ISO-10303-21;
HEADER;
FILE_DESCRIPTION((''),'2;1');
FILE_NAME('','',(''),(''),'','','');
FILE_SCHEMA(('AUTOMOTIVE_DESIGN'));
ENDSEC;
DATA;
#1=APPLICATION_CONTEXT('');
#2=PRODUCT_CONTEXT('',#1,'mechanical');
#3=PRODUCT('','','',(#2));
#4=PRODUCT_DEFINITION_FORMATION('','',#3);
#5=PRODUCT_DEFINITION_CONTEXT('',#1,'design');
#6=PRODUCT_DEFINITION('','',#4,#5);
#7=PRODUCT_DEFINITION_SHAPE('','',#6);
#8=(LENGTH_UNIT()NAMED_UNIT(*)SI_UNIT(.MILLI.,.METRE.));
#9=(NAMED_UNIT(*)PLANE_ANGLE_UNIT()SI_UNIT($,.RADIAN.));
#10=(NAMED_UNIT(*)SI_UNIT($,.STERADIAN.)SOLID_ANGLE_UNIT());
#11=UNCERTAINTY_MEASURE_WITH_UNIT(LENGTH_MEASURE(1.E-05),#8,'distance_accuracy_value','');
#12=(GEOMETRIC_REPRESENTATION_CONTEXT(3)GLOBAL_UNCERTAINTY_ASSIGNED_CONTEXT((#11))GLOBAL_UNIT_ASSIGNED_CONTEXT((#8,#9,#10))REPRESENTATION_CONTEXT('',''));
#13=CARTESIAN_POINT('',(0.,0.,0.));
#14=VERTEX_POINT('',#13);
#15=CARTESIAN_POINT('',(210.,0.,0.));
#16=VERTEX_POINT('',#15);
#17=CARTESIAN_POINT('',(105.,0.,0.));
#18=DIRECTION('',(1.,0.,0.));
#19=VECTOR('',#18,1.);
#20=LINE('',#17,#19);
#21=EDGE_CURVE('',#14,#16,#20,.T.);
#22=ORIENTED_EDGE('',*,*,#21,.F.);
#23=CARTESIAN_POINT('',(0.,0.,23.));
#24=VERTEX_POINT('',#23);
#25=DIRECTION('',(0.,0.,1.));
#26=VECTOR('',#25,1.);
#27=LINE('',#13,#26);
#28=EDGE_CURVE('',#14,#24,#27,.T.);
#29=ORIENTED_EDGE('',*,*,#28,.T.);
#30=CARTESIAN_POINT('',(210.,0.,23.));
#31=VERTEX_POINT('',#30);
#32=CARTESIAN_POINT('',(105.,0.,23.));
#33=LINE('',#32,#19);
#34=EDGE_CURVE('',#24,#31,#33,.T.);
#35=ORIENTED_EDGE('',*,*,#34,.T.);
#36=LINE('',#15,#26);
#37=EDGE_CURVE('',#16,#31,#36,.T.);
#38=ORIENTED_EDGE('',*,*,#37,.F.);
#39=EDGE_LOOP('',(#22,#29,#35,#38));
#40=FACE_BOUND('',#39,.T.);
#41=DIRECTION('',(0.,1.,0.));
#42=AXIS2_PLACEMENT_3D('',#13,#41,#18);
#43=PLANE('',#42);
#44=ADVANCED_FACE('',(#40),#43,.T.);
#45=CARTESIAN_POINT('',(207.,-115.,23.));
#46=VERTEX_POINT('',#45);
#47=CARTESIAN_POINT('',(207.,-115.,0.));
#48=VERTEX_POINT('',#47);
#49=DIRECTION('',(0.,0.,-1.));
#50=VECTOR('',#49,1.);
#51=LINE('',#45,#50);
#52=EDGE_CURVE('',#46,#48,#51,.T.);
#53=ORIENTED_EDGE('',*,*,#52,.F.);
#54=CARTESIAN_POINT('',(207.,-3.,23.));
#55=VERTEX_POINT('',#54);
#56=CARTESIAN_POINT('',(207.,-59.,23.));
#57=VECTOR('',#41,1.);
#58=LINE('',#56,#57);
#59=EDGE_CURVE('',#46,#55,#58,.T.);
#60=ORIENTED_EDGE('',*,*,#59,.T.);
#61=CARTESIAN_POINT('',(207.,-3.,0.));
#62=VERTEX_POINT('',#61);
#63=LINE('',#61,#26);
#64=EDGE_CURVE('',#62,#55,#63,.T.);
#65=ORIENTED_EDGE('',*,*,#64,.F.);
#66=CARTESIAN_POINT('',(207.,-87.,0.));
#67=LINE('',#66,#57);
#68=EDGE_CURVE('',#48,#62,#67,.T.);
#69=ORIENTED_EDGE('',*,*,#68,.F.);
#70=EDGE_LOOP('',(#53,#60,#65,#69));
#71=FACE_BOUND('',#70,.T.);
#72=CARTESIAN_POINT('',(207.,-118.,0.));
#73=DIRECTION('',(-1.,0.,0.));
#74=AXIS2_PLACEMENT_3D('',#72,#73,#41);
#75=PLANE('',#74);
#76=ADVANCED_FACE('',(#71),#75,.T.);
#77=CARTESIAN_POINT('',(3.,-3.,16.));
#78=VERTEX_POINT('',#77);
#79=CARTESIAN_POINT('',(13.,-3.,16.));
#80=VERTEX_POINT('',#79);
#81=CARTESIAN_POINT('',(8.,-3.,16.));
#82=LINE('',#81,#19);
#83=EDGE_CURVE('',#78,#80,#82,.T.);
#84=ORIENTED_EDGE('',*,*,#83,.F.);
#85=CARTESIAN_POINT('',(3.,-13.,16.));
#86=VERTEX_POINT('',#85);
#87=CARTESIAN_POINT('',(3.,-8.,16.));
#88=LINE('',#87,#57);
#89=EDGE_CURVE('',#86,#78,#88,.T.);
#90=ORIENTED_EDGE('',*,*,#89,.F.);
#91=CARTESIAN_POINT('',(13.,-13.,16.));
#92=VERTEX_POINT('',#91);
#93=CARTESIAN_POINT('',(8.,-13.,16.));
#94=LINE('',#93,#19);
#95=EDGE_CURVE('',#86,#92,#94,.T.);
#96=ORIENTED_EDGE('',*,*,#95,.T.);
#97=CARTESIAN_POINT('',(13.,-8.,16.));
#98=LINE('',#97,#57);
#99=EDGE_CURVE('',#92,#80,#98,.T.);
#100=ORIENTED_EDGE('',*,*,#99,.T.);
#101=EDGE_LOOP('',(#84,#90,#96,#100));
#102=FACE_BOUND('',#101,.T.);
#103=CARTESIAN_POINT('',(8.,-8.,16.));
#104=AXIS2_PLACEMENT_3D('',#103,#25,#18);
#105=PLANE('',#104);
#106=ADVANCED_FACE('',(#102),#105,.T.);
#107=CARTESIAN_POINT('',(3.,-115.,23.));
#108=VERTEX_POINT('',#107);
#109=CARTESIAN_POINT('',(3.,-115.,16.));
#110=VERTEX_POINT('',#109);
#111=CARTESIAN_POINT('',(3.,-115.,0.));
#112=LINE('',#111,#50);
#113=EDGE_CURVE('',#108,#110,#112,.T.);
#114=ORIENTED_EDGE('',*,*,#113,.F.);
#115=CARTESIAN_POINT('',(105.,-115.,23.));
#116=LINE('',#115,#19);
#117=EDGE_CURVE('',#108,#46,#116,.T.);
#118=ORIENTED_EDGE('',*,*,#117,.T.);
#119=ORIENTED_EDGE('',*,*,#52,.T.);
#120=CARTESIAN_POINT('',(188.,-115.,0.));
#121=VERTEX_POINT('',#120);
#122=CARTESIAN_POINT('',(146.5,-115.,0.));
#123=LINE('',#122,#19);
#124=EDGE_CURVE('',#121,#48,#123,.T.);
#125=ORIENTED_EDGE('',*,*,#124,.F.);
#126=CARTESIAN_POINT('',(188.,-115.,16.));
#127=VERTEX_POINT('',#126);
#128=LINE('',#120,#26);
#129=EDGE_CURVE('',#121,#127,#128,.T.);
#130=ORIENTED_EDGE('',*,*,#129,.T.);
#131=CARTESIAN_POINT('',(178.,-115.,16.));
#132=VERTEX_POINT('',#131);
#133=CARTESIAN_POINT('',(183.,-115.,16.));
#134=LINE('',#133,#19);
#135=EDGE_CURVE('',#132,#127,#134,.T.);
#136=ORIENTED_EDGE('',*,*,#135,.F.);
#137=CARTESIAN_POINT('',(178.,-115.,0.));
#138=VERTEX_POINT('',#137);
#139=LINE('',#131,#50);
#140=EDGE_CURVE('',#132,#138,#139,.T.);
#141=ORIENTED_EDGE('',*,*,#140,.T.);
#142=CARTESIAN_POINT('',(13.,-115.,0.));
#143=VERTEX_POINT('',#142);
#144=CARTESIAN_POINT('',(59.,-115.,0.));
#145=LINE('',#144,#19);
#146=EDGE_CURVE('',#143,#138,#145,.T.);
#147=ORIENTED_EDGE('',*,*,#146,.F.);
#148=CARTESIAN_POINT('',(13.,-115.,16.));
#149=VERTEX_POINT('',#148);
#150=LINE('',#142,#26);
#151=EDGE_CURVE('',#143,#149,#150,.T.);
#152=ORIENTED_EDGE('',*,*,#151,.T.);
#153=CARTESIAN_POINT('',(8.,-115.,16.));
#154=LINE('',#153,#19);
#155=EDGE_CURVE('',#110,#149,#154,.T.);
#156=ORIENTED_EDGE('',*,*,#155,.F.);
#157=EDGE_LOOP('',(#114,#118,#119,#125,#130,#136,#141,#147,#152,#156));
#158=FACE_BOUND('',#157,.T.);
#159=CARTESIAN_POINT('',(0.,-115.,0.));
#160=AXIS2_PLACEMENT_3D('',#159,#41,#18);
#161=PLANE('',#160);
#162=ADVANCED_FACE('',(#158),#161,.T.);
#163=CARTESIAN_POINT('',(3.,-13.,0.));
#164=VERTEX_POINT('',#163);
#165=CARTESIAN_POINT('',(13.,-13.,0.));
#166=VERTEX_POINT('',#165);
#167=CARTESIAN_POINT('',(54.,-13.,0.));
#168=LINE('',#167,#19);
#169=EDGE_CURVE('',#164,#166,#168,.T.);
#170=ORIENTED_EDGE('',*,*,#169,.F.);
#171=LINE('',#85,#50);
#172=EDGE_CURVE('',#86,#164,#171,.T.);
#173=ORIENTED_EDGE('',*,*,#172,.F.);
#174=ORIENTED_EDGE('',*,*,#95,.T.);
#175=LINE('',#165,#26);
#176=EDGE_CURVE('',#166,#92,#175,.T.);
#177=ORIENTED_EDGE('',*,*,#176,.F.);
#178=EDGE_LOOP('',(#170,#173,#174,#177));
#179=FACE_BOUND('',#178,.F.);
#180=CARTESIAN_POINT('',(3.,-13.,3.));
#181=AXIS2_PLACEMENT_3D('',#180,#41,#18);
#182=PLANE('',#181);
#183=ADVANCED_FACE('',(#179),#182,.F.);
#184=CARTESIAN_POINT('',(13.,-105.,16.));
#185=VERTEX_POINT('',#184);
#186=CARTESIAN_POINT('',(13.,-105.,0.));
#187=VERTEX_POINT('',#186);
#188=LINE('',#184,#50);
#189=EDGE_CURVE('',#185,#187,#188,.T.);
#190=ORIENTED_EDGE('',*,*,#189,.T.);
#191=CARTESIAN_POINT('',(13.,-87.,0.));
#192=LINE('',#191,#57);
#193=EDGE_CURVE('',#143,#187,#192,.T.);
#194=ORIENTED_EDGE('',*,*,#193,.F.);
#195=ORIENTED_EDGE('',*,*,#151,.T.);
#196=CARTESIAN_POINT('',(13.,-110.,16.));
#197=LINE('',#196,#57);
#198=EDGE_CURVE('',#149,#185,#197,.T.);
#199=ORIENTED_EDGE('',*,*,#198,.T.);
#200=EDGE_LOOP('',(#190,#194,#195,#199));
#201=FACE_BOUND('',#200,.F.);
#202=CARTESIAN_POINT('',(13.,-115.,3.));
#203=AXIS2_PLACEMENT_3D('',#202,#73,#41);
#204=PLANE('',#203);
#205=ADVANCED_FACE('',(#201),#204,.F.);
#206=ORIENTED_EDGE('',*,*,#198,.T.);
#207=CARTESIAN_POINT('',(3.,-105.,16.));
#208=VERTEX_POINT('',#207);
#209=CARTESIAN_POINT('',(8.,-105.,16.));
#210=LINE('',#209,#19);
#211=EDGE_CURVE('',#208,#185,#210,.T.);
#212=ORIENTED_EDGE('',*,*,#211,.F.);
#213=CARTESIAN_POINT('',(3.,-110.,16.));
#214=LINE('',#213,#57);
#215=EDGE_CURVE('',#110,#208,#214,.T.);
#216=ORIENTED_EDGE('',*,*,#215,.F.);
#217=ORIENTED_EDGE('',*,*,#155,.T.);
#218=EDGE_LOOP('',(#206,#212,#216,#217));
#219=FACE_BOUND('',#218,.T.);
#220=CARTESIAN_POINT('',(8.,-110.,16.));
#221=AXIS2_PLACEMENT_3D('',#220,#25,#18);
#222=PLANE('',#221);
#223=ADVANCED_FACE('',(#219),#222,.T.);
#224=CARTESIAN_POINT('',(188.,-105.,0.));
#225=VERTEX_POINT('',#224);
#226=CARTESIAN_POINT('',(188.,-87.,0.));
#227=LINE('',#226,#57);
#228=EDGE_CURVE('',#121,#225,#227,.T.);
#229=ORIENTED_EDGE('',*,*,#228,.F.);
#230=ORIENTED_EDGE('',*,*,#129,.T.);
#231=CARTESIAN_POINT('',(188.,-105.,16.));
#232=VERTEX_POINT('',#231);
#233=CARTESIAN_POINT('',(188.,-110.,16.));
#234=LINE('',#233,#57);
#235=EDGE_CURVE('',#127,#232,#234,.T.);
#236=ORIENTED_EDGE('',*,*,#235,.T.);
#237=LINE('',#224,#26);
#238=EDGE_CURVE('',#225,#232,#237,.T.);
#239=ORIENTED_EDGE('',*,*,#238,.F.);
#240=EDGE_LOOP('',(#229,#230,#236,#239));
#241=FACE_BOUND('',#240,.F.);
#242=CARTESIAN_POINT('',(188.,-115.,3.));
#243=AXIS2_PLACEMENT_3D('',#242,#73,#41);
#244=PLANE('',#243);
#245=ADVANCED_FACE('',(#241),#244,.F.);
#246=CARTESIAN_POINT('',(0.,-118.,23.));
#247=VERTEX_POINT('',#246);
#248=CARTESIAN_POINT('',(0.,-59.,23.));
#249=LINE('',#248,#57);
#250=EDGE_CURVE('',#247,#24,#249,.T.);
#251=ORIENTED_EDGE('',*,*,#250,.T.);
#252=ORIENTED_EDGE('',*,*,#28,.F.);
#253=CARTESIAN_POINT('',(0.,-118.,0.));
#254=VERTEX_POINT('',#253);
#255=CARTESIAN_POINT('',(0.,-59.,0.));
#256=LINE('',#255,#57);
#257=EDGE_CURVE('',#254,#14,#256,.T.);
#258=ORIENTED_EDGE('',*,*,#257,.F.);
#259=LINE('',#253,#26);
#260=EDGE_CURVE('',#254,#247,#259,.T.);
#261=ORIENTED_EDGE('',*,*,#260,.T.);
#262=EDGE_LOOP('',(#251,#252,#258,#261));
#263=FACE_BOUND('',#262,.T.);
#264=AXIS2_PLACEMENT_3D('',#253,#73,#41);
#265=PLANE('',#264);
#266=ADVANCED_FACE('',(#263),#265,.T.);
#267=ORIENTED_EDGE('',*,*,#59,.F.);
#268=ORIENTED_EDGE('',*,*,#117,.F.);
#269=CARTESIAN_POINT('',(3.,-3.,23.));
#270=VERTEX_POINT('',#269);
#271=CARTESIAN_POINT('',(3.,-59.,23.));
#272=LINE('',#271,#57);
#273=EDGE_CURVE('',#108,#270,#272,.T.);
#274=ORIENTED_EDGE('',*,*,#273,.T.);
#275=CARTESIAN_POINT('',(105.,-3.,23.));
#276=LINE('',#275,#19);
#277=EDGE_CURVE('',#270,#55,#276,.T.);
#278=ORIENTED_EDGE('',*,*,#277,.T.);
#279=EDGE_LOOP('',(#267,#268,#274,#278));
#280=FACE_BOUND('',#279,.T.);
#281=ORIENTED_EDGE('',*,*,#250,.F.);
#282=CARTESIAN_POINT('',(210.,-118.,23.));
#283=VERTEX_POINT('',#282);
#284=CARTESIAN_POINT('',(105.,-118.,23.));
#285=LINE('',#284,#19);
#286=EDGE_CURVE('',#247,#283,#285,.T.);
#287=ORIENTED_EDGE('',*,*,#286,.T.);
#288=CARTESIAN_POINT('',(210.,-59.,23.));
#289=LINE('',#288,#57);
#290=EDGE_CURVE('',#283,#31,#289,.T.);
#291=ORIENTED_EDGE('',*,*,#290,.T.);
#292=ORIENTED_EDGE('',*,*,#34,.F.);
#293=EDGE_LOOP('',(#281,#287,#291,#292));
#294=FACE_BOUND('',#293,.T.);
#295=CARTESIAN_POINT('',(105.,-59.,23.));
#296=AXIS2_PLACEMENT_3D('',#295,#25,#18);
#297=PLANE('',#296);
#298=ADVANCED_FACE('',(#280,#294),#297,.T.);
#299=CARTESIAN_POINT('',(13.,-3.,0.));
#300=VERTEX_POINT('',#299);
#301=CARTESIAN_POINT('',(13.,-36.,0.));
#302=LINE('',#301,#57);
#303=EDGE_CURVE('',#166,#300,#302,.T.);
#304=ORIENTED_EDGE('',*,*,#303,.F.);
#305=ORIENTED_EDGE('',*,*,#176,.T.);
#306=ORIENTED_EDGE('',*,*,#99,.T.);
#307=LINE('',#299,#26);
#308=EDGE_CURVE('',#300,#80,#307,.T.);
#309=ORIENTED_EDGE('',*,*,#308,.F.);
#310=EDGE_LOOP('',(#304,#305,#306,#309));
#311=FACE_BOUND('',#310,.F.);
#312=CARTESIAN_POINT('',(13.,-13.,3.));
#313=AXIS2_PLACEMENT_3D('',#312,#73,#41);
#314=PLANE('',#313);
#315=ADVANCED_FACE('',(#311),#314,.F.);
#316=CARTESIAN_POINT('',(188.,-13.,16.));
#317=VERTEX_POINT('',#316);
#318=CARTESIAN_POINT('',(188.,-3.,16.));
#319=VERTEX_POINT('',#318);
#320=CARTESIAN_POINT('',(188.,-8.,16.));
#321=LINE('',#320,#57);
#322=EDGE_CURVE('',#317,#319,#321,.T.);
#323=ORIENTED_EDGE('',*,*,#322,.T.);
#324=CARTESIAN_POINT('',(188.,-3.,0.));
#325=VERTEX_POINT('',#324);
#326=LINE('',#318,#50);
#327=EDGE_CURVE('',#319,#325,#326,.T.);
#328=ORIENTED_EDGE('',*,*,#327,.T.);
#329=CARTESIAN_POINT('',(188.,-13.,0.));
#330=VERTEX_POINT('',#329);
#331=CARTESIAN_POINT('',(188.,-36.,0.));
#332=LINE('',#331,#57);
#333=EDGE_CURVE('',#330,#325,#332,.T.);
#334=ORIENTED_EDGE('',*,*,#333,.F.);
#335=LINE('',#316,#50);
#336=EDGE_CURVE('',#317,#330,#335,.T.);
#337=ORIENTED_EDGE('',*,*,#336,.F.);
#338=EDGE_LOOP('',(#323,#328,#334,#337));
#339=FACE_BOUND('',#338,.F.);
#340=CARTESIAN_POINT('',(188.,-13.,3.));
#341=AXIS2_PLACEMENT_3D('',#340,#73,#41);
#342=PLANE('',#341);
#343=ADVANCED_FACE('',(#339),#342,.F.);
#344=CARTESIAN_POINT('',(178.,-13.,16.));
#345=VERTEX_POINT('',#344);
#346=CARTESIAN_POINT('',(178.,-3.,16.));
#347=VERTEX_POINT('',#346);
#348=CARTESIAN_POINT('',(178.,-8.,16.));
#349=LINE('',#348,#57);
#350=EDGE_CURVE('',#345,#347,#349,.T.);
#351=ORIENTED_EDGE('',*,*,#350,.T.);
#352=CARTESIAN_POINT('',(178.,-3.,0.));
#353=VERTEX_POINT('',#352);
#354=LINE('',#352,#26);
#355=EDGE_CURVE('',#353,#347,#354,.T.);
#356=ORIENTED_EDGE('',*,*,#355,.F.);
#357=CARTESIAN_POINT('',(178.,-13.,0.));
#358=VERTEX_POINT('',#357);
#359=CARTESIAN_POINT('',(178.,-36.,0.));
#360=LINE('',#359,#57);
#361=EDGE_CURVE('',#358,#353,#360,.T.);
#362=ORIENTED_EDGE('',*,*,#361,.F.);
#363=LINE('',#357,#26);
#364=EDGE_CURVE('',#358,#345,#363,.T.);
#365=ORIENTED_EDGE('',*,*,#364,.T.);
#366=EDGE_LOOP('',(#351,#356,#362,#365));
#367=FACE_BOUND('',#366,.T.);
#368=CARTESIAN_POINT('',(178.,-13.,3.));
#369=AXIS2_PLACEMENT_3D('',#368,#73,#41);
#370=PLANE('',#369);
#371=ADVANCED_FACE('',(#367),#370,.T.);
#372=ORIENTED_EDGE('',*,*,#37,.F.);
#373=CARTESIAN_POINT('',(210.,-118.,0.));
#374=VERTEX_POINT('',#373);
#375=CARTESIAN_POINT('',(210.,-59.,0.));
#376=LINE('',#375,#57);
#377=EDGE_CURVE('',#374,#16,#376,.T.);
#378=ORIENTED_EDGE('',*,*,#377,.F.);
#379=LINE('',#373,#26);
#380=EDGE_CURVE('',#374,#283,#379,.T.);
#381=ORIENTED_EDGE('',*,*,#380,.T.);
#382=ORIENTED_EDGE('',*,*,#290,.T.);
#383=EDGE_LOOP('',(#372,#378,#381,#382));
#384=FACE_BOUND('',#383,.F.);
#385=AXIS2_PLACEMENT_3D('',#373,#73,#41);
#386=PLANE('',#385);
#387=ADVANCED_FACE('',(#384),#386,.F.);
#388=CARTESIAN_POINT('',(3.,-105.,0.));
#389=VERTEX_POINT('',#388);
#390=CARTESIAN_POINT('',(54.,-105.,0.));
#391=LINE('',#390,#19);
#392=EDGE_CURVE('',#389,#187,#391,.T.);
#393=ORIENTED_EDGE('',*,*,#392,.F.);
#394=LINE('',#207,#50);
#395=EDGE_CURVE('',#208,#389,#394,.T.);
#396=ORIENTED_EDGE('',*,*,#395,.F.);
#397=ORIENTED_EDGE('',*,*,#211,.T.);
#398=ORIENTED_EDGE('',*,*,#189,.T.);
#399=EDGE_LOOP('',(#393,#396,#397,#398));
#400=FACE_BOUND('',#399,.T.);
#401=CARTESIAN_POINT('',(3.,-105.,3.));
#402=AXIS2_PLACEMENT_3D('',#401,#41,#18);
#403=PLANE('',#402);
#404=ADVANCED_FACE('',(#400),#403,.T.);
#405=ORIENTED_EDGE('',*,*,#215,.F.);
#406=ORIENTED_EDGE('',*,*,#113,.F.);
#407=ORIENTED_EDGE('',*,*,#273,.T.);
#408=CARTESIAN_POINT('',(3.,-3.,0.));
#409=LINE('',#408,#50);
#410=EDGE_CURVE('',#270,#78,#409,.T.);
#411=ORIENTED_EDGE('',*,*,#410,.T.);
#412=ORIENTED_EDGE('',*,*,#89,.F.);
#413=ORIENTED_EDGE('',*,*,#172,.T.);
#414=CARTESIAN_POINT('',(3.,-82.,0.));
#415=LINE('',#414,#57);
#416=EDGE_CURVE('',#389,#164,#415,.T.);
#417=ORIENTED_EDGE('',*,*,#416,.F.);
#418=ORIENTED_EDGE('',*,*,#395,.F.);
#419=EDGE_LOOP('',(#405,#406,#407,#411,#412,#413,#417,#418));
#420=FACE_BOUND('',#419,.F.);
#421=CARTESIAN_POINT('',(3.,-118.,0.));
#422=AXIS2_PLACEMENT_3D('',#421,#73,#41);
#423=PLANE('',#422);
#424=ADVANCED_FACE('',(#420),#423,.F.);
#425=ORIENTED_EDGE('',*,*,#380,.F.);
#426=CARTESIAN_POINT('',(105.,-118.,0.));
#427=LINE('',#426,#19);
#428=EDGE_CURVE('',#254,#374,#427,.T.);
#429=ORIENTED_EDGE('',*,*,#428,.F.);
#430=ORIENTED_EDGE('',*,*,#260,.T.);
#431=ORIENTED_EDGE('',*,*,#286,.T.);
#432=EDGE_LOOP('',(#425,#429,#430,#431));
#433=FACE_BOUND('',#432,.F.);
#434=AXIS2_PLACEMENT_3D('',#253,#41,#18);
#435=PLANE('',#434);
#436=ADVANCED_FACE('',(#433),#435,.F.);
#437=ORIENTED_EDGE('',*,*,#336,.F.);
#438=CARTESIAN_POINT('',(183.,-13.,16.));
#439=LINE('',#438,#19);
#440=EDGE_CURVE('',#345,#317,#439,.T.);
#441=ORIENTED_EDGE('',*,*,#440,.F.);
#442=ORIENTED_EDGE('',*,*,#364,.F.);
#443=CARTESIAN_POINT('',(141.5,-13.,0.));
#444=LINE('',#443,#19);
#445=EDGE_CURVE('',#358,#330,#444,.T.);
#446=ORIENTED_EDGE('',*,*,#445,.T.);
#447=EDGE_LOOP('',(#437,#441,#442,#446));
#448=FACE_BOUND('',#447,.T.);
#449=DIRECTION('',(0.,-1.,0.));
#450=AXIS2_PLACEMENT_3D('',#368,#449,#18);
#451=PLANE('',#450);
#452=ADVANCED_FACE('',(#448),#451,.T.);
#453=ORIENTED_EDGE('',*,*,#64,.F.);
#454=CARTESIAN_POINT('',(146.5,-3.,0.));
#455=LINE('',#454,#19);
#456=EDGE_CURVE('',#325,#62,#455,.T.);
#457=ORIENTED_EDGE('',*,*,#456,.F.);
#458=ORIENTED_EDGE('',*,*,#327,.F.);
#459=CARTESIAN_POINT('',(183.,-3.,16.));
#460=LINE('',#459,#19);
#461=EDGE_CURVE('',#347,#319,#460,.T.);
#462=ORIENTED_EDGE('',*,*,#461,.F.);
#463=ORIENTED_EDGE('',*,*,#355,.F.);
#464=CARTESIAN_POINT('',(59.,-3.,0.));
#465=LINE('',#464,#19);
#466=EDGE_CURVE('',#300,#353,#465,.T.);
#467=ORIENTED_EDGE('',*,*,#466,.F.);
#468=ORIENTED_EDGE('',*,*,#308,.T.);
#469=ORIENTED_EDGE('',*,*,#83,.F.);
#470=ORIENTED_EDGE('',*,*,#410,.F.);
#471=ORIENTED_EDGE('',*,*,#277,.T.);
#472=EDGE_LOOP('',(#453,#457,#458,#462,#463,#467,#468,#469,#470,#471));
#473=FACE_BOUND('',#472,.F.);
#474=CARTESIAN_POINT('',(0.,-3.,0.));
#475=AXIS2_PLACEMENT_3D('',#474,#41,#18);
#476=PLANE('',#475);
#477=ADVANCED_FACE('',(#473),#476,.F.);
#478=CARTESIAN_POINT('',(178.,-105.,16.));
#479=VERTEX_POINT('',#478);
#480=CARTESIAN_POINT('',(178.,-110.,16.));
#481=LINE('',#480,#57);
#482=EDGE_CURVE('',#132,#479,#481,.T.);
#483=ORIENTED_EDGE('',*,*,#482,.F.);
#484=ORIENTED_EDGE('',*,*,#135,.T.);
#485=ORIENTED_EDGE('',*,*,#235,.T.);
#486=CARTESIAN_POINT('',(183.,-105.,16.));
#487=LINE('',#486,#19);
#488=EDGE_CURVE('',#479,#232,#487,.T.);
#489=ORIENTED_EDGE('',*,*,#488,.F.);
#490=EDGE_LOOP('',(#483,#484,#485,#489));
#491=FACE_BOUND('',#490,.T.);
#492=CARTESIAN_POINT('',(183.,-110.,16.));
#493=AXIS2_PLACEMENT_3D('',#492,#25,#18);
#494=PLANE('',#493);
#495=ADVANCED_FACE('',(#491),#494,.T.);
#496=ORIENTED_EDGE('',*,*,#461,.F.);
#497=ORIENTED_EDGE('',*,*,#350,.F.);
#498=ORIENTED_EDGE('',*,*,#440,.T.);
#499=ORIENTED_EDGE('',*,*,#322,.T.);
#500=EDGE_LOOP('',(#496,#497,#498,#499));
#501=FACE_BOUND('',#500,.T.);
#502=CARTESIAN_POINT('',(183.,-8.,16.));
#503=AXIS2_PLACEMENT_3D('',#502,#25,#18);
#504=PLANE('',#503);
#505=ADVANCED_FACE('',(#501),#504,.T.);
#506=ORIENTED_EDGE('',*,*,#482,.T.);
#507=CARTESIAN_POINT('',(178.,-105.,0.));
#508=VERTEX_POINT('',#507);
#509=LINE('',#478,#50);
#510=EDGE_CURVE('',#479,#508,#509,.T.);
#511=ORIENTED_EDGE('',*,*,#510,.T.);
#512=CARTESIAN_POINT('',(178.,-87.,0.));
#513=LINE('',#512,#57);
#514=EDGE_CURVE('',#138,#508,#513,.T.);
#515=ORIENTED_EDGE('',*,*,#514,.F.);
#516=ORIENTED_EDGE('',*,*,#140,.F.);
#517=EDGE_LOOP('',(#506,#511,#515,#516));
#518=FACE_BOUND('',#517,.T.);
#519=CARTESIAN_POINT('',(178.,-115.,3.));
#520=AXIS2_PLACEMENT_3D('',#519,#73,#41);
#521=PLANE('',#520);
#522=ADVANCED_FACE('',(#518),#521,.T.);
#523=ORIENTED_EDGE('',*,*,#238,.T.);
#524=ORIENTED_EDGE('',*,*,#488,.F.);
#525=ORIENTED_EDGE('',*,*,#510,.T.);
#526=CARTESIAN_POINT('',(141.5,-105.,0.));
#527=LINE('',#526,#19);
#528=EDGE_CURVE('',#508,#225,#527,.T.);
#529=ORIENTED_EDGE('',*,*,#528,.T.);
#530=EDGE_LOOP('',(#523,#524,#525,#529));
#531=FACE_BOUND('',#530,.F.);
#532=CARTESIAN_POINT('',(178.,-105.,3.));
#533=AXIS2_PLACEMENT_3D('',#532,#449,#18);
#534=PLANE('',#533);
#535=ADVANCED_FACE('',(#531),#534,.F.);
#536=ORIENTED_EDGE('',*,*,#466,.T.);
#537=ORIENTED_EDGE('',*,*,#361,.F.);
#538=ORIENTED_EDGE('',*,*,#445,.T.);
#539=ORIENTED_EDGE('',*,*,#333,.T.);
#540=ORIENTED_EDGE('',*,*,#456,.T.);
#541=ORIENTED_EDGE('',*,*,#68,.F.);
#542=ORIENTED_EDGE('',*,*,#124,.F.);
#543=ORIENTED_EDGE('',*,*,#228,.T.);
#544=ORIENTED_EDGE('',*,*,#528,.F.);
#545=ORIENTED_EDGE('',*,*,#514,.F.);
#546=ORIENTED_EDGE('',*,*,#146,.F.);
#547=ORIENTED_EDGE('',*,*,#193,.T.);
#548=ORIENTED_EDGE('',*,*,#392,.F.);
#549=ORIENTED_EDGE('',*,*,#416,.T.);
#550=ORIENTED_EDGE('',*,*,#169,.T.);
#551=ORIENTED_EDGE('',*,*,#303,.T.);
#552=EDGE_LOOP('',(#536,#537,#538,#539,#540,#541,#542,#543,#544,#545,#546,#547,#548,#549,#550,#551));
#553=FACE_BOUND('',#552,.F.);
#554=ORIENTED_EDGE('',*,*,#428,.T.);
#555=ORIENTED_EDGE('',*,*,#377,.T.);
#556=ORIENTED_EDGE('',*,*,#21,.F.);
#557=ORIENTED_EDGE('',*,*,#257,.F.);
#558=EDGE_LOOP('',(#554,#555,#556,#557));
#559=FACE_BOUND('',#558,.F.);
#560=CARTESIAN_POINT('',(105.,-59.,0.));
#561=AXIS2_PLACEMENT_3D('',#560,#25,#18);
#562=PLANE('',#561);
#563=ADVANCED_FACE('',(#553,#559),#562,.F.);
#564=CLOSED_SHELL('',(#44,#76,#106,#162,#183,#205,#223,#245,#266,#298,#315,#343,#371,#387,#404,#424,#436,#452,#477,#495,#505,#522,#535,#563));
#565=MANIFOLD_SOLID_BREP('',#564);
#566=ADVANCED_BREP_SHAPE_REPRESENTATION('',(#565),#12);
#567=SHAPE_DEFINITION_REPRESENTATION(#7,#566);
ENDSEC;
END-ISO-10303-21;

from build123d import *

# Parameters (mm, degrees)
F0_W     = 210
F0_H     = 118
F1_DEPTH = 23
F2_T     = -3
F3_W     = 10
F3_H     = 10
F4_DEPTH = 13
F5_R     = 1.75
F6_DEPTH = 25
F7_DEPTH = 25


with BuildPart() as f1:
    # F0 (on Top) → F1 (new body)
    with BuildSketch(Plane.XY):
        with Locations((105, -59)):
            Rectangle(F0_W, F0_H)
    extrude(amount=F1_DEPTH)

    # F2
    f2_openings = [f1.faces().sort_by_distance(p)[0] for p in [
        (105, -59, 23),
    ]]
    offset(amount=F2_T, openings=f2_openings)

    # F3 (on face) → F4 (join)
    with BuildSketch(Plane.XY.offset(3)):
        with Locations((8, -8)):
            Rectangle(F3_W, F3_H)
        with Locations((183, -8)):
            Rectangle(F3_W, F3_H)
        with Locations((183, -110)):
            Rectangle(F3_W, F3_H)
        with Locations((8, -110)):
            Rectangle(F3_W, F3_H)
    extrude(amount=F4_DEPTH)

    # F5 (on face) → F6 (cut)
    with BuildSketch(Plane.XY.offset(3)):
        with Locations((20, -8)):
            Circle(F5_R)
        with Locations((20, -38)):
            Circle(F5_R)
        with Locations((80, -38)):
            Circle(F5_R)
        with Locations((80, -8)):
            Circle(F5_R)
        with Locations((120, -17.5)):
            Circle(F5_R)
    extrude(amount=-F6_DEPTH, mode=Mode.SUBTRACT)

    # F7 (cut): a face of the model
    f7_faces = [f1.faces().sort_by_distance(p)[0] for p in [
        (105.2576945696, -59.0796753379, 3),
    ]]
    extrude(f7_faces, amount=-F7_DEPTH, mode=Mode.SUBTRACT)


solid = f1.part
